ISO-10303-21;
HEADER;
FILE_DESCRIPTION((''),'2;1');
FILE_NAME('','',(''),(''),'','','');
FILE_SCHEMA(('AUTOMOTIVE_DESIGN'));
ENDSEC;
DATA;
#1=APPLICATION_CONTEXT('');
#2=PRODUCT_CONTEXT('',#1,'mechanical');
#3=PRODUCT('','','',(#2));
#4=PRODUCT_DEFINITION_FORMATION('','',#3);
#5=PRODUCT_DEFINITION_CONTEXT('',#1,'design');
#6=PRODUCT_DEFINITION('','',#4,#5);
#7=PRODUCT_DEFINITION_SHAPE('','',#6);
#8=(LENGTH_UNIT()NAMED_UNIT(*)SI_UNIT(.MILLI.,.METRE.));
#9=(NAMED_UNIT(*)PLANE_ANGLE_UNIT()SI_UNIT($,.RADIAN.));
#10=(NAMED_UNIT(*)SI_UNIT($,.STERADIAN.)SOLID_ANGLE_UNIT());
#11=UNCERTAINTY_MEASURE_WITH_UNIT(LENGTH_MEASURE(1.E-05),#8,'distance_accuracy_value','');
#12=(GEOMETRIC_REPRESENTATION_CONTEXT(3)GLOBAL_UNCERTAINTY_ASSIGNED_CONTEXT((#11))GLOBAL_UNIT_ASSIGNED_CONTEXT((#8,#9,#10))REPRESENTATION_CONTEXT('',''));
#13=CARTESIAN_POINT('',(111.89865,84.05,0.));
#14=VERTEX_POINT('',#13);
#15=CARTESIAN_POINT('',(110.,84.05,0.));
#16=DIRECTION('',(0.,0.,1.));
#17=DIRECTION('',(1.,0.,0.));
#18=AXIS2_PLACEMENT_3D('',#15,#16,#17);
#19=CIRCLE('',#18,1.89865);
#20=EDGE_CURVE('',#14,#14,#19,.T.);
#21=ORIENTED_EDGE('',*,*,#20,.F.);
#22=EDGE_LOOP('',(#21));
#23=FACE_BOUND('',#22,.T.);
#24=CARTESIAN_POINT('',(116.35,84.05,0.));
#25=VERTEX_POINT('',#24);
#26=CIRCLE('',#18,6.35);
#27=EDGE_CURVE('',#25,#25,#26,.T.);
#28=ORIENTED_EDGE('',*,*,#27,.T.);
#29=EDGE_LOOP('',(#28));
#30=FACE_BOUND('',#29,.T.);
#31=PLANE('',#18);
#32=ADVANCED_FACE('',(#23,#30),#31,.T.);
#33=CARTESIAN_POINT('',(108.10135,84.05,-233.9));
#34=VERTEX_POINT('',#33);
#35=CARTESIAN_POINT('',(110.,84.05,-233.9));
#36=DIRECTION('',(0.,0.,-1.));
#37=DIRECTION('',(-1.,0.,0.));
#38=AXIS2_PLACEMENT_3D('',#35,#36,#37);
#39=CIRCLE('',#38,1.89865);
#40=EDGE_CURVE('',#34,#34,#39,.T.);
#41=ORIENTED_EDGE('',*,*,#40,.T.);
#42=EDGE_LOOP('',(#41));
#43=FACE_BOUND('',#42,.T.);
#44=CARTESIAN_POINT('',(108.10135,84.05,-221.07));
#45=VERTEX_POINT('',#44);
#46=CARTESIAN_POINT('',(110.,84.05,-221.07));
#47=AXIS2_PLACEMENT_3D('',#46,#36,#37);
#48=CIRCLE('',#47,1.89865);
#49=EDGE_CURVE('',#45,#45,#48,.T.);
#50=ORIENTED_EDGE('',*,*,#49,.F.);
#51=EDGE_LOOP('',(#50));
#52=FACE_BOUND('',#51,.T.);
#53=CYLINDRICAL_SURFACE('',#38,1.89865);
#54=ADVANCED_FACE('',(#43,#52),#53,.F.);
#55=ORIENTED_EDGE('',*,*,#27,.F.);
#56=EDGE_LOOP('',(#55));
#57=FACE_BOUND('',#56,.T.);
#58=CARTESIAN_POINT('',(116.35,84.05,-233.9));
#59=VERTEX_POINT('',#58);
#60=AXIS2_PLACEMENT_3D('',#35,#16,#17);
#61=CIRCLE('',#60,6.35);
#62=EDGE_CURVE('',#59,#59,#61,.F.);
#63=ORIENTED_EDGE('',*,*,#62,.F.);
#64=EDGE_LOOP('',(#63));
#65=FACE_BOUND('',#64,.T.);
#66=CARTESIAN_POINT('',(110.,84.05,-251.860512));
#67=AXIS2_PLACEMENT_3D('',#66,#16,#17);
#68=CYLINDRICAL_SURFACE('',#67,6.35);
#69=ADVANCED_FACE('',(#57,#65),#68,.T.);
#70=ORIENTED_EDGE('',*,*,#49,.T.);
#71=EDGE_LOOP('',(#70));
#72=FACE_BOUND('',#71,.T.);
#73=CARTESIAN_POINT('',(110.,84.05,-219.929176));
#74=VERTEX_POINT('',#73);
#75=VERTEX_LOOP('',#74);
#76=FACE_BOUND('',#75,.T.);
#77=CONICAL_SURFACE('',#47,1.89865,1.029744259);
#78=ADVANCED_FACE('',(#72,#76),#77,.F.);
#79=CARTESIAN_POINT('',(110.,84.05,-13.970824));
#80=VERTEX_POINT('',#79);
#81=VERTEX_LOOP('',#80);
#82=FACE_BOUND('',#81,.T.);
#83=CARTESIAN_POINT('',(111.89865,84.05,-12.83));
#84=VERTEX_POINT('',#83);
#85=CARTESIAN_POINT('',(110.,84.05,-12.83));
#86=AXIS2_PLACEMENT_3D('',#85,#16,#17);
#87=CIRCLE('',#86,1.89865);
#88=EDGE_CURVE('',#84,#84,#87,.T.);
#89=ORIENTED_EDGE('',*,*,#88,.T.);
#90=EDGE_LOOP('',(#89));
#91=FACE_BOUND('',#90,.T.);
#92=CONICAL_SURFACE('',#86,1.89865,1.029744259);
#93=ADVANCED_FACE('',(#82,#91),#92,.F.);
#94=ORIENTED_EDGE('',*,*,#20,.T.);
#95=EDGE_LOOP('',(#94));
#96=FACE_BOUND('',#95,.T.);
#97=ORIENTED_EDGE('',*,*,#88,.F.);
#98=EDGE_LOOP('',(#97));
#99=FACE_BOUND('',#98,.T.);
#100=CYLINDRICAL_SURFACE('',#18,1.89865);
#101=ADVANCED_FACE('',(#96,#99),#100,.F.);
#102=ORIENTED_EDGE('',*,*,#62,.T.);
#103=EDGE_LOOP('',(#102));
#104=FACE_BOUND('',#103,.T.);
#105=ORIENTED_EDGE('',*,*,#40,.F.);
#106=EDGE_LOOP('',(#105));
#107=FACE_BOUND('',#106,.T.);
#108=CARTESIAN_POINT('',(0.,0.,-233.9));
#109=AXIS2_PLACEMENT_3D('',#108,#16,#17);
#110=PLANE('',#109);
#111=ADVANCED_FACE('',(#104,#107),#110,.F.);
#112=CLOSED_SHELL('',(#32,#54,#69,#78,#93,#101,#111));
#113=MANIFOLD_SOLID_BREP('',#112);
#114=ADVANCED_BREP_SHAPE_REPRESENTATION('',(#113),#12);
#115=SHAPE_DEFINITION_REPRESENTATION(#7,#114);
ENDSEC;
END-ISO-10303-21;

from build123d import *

# Parameters (mm, degrees)
SKETCH1_R                  = 6.35
BOSS_EXTRUDE1_DEPTH        = 233.9
F_10_24_TAPPED_HOLE1_D     = 3.7973
F_10_24_TAPPED_HOLE1_DEPTH = 12.83
F_10_24_TAPPED_HOLE1_TIP   = 1.140824014
F_10_24_TAPPED_HOLE2_D     = 3.7973
F_10_24_TAPPED_HOLE2_DEPTH = 12.83
F_10_24_TAPPED_HOLE2_TIP   = 1.140824014


with BuildPart() as part:
    # Sketch1 → Boss-Extrude1 (new body)
    with BuildSketch(Plane.XY):
        with Locations((110, 84.05)):
            Circle(SKETCH1_R)
    extrude(amount=-BOSS_EXTRUDE1_DEPTH)

    # #10-24 Tapped Hole1
    with Locations(Plane.XY):
        with Locations((110, 84.05)):
            Hole(F_10_24_TAPPED_HOLE1_D / 2, depth=F_10_24_TAPPED_HOLE1_DEPTH)
            with Locations((0, 0, -(F_10_24_TAPPED_HOLE1_DEPTH + F_10_24_TAPPED_HOLE1_TIP / 2))):  # 118° drill point
                Cone(0, F_10_24_TAPPED_HOLE1_D / 2, F_10_24_TAPPED_HOLE1_TIP, mode=Mode.SUBTRACT)

    # #10-24 Tapped Hole2
    with Locations(Plane(origin=(0, 0, -233.9), x_dir=(-1, 0, 0), z_dir=(0, 0, -1))):
        with Locations((-110, 84.05)):
            Hole(F_10_24_TAPPED_HOLE2_D / 2, depth=F_10_24_TAPPED_HOLE2_DEPTH)
            with Locations((0, 0, -(F_10_24_TAPPED_HOLE2_DEPTH + F_10_24_TAPPED_HOLE2_TIP / 2))):  # 118° drill point
                Cone(0, F_10_24_TAPPED_HOLE2_D / 2, F_10_24_TAPPED_HOLE2_TIP, mode=Mode.SUBTRACT)


solid = part.part
